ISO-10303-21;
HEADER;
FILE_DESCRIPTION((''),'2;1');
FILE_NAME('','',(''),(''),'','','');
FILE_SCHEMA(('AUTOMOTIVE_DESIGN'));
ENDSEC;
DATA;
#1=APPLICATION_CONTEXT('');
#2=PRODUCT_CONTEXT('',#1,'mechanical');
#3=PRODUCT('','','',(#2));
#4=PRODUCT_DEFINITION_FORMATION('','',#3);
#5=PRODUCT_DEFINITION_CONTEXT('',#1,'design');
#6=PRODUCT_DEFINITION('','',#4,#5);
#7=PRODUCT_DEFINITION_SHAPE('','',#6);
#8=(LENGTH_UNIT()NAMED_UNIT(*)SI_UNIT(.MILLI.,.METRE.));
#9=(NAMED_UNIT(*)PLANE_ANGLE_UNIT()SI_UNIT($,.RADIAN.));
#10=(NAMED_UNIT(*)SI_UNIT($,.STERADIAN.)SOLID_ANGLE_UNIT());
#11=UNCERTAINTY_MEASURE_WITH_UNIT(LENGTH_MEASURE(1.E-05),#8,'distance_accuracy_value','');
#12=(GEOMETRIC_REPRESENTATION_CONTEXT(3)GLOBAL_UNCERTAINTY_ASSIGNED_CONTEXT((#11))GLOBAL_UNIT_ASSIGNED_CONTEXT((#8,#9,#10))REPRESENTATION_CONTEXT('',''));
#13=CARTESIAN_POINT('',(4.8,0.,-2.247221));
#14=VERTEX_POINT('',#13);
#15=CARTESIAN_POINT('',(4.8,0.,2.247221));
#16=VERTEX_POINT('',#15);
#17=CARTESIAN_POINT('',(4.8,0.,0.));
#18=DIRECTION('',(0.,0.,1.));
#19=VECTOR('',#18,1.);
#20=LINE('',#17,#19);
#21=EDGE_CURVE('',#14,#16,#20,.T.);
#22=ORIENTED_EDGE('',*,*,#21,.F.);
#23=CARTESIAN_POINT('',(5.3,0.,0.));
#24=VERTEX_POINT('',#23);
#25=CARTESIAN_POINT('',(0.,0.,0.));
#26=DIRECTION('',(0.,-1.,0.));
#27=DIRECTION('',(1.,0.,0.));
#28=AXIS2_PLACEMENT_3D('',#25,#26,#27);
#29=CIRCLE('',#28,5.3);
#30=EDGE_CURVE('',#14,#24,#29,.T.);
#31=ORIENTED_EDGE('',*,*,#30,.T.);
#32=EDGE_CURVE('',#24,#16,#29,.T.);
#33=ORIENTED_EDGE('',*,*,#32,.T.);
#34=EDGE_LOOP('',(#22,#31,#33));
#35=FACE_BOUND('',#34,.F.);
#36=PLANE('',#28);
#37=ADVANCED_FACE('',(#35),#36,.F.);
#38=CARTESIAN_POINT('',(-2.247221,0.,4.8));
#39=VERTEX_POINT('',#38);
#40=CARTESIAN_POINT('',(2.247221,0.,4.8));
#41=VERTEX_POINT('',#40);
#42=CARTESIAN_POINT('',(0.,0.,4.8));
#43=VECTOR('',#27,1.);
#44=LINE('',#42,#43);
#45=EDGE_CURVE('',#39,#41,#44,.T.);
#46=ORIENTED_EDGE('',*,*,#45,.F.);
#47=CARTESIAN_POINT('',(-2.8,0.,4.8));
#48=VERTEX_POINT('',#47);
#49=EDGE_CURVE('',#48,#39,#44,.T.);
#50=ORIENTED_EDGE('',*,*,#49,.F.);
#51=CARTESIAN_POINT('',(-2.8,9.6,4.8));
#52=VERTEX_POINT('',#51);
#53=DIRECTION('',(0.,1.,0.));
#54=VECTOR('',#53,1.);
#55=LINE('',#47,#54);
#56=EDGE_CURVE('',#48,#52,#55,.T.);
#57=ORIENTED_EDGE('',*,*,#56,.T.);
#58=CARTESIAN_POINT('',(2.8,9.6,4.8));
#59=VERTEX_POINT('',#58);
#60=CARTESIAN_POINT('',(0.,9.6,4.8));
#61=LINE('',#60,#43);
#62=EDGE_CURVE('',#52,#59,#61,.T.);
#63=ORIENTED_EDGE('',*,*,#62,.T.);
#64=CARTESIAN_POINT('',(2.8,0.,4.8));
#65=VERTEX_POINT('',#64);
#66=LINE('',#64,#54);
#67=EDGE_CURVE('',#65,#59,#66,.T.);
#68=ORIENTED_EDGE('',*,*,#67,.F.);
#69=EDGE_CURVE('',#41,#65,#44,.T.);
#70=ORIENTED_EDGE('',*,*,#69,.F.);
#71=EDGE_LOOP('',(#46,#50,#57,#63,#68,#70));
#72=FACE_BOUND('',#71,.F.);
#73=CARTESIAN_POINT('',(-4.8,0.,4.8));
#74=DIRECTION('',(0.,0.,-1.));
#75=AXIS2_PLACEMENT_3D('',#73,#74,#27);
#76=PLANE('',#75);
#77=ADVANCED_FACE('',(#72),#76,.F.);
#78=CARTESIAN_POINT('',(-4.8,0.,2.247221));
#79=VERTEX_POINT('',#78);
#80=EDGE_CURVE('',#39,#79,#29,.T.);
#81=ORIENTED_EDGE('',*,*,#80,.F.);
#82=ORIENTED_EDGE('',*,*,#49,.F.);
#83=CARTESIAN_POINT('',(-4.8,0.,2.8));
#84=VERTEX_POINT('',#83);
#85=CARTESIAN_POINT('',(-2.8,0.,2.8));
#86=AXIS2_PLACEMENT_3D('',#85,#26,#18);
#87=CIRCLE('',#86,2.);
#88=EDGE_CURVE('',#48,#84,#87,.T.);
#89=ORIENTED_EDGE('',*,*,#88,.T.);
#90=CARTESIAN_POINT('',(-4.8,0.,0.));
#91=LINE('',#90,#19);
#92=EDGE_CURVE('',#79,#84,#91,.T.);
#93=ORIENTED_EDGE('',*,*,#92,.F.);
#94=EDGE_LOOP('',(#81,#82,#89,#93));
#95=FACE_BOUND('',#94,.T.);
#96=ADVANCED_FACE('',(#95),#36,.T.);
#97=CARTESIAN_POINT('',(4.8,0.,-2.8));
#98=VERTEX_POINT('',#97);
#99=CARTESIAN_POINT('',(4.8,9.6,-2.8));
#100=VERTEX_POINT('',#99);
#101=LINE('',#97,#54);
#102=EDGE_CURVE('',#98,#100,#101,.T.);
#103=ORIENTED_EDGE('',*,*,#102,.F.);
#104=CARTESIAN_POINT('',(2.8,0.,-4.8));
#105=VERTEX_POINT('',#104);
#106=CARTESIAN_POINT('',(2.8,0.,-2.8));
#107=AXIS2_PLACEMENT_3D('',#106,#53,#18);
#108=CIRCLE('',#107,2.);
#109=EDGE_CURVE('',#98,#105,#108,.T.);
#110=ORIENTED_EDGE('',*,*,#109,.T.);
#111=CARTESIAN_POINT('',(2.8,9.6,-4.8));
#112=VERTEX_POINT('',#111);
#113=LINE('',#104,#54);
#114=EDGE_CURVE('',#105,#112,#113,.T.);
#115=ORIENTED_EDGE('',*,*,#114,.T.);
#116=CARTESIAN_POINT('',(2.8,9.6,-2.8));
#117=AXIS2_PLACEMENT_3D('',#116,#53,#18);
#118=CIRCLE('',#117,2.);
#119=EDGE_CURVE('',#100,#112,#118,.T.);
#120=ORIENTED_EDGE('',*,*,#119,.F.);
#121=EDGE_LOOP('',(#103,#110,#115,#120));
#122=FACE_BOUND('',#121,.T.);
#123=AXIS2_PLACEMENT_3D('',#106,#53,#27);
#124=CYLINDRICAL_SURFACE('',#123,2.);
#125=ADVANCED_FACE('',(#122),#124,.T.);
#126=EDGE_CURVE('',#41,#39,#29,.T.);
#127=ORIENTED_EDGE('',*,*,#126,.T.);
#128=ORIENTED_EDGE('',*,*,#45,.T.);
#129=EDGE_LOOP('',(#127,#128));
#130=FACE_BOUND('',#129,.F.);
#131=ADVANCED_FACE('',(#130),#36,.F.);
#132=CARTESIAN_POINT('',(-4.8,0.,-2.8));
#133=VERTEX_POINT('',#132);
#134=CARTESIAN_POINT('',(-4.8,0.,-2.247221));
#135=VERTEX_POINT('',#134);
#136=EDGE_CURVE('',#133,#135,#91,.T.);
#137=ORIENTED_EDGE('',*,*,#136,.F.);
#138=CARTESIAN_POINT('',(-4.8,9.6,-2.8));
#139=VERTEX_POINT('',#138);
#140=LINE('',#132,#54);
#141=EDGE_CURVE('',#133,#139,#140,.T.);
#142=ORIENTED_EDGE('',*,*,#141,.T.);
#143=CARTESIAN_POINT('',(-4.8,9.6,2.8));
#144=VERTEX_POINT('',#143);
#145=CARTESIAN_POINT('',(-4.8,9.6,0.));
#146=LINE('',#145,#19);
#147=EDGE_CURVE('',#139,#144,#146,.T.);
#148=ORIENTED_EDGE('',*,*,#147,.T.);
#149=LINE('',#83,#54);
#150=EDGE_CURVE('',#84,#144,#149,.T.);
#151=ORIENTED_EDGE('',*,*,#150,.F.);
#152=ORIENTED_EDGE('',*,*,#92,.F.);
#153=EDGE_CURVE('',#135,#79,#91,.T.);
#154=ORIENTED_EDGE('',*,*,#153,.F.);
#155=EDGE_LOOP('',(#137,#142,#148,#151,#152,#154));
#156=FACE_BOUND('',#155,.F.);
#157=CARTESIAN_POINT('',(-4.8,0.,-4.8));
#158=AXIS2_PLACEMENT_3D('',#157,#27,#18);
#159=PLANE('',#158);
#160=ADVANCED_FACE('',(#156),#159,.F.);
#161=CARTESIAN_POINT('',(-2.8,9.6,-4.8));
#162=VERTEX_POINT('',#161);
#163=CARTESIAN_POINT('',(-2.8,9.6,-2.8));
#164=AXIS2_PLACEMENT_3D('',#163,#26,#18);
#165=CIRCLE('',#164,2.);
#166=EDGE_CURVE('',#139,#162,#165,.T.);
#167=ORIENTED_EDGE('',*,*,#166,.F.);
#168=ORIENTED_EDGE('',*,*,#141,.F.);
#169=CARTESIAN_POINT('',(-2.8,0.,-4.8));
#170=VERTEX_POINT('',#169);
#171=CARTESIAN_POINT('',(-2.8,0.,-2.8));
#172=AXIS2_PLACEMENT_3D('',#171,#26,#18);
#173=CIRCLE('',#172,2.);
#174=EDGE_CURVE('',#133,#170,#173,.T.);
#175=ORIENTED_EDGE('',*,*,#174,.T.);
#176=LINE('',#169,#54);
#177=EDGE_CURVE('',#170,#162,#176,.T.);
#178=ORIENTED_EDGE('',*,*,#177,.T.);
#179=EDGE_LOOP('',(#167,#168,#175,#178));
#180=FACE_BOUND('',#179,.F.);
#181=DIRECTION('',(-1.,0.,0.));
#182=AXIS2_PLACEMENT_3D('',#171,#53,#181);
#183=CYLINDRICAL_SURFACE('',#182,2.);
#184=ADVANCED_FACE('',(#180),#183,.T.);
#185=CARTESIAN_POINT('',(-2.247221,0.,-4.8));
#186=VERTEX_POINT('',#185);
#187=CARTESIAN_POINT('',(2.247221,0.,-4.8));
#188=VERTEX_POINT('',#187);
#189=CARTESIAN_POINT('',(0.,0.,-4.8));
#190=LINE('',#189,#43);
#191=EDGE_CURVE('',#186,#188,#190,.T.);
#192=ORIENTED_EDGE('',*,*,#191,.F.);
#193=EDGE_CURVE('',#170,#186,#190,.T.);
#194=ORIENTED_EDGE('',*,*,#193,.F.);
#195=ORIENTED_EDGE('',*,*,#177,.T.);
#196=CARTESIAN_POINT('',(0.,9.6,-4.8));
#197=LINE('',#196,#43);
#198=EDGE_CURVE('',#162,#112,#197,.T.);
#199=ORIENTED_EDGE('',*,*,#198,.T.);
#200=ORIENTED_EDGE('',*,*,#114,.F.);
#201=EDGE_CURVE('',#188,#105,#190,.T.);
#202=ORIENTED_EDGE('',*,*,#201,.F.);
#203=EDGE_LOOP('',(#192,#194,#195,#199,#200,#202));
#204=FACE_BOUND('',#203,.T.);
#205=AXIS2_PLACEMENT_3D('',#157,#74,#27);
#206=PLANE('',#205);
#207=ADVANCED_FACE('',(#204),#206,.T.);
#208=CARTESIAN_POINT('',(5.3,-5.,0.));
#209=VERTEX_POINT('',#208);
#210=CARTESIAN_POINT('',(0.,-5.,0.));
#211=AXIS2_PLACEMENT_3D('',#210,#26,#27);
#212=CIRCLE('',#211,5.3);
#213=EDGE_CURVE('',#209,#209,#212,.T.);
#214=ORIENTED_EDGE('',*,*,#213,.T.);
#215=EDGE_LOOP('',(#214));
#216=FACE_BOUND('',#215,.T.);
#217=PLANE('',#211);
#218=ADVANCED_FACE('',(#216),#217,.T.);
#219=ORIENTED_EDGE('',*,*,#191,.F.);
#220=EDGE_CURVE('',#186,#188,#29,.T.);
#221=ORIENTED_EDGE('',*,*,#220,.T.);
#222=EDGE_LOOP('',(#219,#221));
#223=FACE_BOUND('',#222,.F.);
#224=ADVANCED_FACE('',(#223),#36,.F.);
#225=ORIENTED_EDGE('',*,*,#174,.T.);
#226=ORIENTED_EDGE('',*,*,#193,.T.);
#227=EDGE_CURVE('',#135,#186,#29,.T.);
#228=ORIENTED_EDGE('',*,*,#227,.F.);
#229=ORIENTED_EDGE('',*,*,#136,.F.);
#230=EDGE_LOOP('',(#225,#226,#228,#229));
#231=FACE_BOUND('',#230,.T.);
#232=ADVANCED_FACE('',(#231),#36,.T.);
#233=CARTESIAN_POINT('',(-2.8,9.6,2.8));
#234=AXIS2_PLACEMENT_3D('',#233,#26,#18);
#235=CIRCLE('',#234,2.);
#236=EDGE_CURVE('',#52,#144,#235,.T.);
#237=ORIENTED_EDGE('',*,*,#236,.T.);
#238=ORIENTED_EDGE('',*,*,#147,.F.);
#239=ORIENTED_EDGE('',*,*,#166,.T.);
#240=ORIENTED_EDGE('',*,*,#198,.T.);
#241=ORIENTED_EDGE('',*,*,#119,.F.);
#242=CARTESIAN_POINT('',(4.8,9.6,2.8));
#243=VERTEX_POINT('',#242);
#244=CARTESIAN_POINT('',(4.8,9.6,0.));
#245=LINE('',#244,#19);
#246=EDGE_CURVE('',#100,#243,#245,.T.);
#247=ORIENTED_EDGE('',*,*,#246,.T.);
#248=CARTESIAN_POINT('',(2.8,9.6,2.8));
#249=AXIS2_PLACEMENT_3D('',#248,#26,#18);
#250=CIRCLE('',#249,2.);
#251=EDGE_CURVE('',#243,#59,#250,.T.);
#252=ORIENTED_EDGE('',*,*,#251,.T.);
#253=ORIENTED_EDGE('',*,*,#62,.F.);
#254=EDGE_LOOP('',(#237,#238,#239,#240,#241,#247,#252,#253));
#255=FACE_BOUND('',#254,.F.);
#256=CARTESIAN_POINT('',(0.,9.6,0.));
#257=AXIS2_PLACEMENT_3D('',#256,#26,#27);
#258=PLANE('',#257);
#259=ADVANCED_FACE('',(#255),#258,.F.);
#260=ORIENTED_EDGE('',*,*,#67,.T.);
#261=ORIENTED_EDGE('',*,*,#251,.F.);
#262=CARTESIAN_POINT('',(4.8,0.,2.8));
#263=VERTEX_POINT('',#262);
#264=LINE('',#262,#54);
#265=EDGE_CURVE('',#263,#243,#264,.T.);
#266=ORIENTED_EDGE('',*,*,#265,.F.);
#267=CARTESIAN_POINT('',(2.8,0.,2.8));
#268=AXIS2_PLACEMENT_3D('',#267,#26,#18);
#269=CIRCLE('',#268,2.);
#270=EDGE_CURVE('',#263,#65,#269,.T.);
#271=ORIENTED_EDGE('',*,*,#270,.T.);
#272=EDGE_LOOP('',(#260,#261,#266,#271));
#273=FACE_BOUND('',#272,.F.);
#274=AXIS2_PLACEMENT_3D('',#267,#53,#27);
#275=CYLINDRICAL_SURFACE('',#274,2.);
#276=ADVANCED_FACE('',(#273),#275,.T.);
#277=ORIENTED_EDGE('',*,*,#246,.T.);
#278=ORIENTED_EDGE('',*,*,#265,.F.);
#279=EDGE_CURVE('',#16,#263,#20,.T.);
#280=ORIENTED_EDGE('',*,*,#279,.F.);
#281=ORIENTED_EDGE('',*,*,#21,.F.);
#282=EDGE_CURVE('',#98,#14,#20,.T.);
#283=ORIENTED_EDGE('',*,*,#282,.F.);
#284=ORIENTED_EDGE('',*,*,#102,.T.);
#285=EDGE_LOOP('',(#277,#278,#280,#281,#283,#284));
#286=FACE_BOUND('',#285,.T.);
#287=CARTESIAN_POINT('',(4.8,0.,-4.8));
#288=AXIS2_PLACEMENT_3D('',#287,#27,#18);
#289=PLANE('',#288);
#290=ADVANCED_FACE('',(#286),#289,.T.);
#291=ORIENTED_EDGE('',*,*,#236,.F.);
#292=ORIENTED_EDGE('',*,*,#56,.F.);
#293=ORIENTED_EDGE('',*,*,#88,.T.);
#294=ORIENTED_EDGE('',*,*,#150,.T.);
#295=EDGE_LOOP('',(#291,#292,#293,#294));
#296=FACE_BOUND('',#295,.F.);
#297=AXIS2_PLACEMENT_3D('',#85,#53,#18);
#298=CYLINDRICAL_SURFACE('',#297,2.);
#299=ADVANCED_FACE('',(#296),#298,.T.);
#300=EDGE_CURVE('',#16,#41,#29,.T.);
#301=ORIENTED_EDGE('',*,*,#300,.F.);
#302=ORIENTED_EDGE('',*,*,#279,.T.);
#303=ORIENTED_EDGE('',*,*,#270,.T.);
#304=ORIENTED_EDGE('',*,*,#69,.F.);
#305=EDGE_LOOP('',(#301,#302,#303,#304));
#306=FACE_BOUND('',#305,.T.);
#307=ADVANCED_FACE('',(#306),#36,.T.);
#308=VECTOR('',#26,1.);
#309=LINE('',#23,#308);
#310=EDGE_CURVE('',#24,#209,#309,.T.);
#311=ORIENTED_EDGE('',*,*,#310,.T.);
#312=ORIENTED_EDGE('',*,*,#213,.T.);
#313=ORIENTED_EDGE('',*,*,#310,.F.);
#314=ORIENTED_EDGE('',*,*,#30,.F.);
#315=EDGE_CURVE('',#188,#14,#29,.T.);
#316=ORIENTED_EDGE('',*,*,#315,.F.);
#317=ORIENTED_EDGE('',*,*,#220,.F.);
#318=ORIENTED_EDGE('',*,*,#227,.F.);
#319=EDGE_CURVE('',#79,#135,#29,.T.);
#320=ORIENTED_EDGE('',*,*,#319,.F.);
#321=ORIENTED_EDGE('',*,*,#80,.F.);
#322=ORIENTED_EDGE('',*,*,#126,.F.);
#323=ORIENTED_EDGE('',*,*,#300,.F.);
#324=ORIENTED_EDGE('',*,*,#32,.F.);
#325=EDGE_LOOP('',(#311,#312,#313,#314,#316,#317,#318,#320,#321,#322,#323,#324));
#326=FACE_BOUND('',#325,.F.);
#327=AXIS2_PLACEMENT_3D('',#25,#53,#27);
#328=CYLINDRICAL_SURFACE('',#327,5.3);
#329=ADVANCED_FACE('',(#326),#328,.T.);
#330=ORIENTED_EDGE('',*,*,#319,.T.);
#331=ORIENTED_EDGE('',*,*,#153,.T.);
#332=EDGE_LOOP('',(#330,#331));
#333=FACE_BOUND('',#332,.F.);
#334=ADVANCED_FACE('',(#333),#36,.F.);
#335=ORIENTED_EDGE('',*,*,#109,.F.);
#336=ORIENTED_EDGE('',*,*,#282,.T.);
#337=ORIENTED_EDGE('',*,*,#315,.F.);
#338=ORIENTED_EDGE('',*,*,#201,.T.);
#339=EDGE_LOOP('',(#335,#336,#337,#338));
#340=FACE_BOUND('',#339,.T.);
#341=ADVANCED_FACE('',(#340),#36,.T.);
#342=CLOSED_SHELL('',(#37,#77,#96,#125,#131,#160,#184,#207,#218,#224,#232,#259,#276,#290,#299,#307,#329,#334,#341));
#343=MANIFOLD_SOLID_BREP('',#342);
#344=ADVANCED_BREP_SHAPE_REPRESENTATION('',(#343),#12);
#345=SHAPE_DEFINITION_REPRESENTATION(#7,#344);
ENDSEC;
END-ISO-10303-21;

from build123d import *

# Parameters (mm, degrees)
F0_W     = 9.6
F0_H     = 9.6
F1_DEPTH = 9.6
F2_R     = 5.3
F3_DEPTH = 5
F4_R     = 2


with BuildPart() as f1:
    # F0 (on Front) → F1 (new body)
    with BuildSketch(Plane.XZ):
        Rectangle(F0_W, F0_H)
    extrude(amount=-F1_DEPTH)

    # F2 (on Front) → F3 (join)
    with BuildSketch(Plane.XZ):
        Circle(F2_R)
    extrude(amount=F3_DEPTH)

    # F4
    f4_edges = [f1.edges().sort_by_distance(p)[0] for p in [
        (4.8, 4.8, 4.8),
        (-4.8, 4.8, 4.8),
        (-4.8, 4.8, -4.8),
        (4.8, 4.8, -4.8),
    ]]
    fillet(f4_edges, radius=F4_R)


solid = f1.part
